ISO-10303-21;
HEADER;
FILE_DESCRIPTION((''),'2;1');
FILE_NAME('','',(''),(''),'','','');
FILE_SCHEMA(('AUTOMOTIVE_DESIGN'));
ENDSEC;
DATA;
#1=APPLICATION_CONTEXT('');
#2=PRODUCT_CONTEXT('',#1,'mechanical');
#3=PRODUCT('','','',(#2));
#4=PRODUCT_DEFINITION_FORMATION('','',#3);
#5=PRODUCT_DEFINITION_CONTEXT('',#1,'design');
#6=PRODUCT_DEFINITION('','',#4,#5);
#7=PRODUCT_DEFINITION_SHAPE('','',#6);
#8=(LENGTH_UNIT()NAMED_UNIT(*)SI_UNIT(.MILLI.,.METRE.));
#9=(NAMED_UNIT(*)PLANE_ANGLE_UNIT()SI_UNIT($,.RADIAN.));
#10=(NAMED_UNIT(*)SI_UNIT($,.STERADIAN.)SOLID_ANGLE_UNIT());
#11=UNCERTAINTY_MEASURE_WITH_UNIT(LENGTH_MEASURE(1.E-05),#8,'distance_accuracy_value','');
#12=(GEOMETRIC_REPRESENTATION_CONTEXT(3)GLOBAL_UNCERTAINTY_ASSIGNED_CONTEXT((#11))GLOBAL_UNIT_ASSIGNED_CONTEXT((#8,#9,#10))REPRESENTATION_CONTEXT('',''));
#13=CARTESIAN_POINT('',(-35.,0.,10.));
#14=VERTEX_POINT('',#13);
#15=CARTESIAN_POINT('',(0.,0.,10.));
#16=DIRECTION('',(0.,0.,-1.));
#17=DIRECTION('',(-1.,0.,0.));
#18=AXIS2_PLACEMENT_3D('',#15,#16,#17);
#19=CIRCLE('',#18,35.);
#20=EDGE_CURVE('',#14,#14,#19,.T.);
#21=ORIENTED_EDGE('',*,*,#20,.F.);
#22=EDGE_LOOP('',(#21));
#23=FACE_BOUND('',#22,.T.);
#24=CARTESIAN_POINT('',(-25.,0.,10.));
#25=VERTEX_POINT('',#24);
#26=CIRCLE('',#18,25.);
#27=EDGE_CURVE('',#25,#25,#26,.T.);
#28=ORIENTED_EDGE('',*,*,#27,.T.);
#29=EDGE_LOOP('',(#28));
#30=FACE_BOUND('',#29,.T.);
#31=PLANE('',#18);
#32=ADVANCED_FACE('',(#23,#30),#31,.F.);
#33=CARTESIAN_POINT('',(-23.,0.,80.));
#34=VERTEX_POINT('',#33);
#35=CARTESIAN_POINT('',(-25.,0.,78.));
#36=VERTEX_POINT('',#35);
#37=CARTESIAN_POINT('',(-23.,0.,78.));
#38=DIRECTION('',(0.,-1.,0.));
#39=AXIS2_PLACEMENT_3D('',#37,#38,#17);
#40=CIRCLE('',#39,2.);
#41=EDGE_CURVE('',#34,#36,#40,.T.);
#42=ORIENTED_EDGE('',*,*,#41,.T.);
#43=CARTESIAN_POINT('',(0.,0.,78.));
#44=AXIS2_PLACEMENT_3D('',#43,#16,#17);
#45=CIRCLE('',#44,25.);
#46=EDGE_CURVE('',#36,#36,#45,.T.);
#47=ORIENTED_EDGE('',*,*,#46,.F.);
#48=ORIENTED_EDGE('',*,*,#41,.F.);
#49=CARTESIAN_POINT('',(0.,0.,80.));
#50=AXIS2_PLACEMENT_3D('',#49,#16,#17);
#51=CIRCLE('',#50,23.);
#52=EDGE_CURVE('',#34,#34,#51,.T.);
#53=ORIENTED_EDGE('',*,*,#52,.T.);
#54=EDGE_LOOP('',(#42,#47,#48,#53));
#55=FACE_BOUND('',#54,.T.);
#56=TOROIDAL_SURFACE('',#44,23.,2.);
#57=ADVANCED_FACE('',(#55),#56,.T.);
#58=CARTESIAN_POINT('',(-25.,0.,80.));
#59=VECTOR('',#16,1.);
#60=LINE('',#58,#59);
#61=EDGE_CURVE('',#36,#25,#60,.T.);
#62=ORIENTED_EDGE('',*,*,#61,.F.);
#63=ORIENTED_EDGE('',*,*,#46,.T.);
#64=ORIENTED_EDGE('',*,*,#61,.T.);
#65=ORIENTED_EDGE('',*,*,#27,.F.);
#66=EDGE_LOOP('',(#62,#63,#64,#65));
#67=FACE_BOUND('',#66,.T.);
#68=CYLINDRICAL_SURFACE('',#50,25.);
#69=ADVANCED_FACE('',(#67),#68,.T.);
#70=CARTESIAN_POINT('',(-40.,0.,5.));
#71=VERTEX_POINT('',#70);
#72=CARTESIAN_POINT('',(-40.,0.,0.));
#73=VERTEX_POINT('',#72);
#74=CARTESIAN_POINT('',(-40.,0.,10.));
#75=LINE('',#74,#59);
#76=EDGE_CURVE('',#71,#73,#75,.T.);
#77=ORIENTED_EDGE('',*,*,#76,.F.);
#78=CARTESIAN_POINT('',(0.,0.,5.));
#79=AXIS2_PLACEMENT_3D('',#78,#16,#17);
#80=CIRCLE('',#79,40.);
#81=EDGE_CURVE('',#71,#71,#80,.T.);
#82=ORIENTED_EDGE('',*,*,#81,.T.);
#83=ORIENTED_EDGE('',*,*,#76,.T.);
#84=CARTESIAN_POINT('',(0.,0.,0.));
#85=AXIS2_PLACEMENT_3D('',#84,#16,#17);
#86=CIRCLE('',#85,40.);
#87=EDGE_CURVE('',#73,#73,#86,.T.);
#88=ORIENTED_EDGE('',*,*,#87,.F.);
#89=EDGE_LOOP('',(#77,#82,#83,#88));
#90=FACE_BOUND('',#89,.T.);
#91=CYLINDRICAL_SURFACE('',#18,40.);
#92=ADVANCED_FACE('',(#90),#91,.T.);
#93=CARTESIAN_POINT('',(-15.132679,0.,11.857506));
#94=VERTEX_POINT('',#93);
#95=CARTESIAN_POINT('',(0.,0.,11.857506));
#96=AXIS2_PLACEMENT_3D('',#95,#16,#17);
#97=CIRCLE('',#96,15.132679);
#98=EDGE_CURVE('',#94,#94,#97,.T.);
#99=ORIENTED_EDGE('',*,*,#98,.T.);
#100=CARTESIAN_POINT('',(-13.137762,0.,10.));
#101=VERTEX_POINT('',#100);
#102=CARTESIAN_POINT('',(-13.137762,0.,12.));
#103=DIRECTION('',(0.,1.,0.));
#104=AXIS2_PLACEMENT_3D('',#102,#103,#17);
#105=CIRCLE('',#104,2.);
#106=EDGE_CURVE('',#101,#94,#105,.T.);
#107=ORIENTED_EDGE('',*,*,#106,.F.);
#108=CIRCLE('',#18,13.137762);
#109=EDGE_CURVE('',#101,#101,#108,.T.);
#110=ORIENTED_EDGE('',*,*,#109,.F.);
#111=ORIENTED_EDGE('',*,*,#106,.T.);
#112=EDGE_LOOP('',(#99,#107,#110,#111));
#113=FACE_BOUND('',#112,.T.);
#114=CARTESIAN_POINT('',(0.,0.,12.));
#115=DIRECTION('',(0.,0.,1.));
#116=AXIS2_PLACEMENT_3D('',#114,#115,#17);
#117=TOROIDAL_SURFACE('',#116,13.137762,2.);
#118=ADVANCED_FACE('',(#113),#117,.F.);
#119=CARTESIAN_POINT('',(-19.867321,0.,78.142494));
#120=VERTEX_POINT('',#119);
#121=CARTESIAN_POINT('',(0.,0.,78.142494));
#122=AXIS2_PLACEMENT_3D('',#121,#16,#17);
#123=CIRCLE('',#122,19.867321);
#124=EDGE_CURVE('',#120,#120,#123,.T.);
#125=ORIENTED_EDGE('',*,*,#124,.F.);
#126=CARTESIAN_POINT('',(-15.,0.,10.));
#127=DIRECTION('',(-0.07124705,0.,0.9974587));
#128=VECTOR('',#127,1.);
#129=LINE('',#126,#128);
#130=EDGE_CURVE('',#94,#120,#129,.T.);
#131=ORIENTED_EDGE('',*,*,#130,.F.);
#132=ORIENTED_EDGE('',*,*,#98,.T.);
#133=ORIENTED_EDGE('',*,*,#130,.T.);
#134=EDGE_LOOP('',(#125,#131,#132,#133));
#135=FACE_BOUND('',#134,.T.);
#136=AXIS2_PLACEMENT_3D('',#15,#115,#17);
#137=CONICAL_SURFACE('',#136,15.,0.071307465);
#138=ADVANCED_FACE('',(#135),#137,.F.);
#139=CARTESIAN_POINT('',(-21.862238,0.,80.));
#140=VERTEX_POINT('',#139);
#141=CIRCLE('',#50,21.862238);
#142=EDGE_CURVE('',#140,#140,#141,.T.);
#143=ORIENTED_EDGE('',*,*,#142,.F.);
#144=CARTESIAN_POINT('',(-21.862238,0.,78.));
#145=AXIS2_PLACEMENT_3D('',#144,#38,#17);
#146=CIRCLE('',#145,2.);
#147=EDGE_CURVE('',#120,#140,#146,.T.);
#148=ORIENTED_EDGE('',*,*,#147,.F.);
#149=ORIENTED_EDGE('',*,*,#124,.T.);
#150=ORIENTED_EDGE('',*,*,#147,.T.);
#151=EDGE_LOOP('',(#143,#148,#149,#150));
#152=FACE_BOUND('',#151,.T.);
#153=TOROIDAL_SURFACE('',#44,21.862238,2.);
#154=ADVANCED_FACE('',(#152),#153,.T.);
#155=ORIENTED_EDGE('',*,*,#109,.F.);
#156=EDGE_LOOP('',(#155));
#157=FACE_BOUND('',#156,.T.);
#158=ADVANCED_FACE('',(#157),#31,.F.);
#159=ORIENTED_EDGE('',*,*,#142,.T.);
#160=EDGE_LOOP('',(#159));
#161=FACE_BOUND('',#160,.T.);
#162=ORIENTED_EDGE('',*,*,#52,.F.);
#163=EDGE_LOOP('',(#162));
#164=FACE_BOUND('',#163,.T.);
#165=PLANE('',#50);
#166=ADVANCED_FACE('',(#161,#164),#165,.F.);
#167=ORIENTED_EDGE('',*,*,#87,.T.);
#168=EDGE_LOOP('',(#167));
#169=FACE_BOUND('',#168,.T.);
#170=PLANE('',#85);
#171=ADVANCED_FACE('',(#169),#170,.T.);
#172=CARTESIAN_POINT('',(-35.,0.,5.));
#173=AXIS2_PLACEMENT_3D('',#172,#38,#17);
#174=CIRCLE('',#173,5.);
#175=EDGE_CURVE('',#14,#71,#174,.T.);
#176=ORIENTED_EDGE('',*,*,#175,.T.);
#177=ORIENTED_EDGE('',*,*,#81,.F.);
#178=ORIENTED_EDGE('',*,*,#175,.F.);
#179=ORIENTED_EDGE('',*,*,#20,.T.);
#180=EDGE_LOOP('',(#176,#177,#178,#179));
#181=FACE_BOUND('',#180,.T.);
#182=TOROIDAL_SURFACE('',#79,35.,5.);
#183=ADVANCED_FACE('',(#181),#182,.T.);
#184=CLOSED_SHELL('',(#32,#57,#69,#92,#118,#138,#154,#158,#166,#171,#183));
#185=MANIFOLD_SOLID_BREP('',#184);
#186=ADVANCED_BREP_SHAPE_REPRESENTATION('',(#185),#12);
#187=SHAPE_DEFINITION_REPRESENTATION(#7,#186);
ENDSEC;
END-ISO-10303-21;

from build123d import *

# Parameters (mm, degrees)
F2_R = 2
F3_R = 5


with BuildPart() as f1:
    # F0 (on Front) → F1 (revolve)
    with BuildSketch(Plane.XZ):
        Polygon((-40, 0), (0, 0), (0, 10), (-15, 10), (-20, 80), (-25, 80), (-25, 10), (-40, 10), align=None)
    revolve(axis=Axis((0, 0, 5), (0, 0, -1)))

    # F2
    f2_edges = [f1.edges().sort_by_distance(p)[0] for p in [
        (15, 0, 10),
        (20, 0, 80),
        (25, 0, 80),
    ]]
    fillet(f2_edges, radius=F2_R)

    # F3
    f3_edges = [f1.edges().sort_by_distance(p)[0] for p in [
        (40, 0, 10),
    ]]
    fillet(f3_edges, radius=F3_R)


solid = f1.part
